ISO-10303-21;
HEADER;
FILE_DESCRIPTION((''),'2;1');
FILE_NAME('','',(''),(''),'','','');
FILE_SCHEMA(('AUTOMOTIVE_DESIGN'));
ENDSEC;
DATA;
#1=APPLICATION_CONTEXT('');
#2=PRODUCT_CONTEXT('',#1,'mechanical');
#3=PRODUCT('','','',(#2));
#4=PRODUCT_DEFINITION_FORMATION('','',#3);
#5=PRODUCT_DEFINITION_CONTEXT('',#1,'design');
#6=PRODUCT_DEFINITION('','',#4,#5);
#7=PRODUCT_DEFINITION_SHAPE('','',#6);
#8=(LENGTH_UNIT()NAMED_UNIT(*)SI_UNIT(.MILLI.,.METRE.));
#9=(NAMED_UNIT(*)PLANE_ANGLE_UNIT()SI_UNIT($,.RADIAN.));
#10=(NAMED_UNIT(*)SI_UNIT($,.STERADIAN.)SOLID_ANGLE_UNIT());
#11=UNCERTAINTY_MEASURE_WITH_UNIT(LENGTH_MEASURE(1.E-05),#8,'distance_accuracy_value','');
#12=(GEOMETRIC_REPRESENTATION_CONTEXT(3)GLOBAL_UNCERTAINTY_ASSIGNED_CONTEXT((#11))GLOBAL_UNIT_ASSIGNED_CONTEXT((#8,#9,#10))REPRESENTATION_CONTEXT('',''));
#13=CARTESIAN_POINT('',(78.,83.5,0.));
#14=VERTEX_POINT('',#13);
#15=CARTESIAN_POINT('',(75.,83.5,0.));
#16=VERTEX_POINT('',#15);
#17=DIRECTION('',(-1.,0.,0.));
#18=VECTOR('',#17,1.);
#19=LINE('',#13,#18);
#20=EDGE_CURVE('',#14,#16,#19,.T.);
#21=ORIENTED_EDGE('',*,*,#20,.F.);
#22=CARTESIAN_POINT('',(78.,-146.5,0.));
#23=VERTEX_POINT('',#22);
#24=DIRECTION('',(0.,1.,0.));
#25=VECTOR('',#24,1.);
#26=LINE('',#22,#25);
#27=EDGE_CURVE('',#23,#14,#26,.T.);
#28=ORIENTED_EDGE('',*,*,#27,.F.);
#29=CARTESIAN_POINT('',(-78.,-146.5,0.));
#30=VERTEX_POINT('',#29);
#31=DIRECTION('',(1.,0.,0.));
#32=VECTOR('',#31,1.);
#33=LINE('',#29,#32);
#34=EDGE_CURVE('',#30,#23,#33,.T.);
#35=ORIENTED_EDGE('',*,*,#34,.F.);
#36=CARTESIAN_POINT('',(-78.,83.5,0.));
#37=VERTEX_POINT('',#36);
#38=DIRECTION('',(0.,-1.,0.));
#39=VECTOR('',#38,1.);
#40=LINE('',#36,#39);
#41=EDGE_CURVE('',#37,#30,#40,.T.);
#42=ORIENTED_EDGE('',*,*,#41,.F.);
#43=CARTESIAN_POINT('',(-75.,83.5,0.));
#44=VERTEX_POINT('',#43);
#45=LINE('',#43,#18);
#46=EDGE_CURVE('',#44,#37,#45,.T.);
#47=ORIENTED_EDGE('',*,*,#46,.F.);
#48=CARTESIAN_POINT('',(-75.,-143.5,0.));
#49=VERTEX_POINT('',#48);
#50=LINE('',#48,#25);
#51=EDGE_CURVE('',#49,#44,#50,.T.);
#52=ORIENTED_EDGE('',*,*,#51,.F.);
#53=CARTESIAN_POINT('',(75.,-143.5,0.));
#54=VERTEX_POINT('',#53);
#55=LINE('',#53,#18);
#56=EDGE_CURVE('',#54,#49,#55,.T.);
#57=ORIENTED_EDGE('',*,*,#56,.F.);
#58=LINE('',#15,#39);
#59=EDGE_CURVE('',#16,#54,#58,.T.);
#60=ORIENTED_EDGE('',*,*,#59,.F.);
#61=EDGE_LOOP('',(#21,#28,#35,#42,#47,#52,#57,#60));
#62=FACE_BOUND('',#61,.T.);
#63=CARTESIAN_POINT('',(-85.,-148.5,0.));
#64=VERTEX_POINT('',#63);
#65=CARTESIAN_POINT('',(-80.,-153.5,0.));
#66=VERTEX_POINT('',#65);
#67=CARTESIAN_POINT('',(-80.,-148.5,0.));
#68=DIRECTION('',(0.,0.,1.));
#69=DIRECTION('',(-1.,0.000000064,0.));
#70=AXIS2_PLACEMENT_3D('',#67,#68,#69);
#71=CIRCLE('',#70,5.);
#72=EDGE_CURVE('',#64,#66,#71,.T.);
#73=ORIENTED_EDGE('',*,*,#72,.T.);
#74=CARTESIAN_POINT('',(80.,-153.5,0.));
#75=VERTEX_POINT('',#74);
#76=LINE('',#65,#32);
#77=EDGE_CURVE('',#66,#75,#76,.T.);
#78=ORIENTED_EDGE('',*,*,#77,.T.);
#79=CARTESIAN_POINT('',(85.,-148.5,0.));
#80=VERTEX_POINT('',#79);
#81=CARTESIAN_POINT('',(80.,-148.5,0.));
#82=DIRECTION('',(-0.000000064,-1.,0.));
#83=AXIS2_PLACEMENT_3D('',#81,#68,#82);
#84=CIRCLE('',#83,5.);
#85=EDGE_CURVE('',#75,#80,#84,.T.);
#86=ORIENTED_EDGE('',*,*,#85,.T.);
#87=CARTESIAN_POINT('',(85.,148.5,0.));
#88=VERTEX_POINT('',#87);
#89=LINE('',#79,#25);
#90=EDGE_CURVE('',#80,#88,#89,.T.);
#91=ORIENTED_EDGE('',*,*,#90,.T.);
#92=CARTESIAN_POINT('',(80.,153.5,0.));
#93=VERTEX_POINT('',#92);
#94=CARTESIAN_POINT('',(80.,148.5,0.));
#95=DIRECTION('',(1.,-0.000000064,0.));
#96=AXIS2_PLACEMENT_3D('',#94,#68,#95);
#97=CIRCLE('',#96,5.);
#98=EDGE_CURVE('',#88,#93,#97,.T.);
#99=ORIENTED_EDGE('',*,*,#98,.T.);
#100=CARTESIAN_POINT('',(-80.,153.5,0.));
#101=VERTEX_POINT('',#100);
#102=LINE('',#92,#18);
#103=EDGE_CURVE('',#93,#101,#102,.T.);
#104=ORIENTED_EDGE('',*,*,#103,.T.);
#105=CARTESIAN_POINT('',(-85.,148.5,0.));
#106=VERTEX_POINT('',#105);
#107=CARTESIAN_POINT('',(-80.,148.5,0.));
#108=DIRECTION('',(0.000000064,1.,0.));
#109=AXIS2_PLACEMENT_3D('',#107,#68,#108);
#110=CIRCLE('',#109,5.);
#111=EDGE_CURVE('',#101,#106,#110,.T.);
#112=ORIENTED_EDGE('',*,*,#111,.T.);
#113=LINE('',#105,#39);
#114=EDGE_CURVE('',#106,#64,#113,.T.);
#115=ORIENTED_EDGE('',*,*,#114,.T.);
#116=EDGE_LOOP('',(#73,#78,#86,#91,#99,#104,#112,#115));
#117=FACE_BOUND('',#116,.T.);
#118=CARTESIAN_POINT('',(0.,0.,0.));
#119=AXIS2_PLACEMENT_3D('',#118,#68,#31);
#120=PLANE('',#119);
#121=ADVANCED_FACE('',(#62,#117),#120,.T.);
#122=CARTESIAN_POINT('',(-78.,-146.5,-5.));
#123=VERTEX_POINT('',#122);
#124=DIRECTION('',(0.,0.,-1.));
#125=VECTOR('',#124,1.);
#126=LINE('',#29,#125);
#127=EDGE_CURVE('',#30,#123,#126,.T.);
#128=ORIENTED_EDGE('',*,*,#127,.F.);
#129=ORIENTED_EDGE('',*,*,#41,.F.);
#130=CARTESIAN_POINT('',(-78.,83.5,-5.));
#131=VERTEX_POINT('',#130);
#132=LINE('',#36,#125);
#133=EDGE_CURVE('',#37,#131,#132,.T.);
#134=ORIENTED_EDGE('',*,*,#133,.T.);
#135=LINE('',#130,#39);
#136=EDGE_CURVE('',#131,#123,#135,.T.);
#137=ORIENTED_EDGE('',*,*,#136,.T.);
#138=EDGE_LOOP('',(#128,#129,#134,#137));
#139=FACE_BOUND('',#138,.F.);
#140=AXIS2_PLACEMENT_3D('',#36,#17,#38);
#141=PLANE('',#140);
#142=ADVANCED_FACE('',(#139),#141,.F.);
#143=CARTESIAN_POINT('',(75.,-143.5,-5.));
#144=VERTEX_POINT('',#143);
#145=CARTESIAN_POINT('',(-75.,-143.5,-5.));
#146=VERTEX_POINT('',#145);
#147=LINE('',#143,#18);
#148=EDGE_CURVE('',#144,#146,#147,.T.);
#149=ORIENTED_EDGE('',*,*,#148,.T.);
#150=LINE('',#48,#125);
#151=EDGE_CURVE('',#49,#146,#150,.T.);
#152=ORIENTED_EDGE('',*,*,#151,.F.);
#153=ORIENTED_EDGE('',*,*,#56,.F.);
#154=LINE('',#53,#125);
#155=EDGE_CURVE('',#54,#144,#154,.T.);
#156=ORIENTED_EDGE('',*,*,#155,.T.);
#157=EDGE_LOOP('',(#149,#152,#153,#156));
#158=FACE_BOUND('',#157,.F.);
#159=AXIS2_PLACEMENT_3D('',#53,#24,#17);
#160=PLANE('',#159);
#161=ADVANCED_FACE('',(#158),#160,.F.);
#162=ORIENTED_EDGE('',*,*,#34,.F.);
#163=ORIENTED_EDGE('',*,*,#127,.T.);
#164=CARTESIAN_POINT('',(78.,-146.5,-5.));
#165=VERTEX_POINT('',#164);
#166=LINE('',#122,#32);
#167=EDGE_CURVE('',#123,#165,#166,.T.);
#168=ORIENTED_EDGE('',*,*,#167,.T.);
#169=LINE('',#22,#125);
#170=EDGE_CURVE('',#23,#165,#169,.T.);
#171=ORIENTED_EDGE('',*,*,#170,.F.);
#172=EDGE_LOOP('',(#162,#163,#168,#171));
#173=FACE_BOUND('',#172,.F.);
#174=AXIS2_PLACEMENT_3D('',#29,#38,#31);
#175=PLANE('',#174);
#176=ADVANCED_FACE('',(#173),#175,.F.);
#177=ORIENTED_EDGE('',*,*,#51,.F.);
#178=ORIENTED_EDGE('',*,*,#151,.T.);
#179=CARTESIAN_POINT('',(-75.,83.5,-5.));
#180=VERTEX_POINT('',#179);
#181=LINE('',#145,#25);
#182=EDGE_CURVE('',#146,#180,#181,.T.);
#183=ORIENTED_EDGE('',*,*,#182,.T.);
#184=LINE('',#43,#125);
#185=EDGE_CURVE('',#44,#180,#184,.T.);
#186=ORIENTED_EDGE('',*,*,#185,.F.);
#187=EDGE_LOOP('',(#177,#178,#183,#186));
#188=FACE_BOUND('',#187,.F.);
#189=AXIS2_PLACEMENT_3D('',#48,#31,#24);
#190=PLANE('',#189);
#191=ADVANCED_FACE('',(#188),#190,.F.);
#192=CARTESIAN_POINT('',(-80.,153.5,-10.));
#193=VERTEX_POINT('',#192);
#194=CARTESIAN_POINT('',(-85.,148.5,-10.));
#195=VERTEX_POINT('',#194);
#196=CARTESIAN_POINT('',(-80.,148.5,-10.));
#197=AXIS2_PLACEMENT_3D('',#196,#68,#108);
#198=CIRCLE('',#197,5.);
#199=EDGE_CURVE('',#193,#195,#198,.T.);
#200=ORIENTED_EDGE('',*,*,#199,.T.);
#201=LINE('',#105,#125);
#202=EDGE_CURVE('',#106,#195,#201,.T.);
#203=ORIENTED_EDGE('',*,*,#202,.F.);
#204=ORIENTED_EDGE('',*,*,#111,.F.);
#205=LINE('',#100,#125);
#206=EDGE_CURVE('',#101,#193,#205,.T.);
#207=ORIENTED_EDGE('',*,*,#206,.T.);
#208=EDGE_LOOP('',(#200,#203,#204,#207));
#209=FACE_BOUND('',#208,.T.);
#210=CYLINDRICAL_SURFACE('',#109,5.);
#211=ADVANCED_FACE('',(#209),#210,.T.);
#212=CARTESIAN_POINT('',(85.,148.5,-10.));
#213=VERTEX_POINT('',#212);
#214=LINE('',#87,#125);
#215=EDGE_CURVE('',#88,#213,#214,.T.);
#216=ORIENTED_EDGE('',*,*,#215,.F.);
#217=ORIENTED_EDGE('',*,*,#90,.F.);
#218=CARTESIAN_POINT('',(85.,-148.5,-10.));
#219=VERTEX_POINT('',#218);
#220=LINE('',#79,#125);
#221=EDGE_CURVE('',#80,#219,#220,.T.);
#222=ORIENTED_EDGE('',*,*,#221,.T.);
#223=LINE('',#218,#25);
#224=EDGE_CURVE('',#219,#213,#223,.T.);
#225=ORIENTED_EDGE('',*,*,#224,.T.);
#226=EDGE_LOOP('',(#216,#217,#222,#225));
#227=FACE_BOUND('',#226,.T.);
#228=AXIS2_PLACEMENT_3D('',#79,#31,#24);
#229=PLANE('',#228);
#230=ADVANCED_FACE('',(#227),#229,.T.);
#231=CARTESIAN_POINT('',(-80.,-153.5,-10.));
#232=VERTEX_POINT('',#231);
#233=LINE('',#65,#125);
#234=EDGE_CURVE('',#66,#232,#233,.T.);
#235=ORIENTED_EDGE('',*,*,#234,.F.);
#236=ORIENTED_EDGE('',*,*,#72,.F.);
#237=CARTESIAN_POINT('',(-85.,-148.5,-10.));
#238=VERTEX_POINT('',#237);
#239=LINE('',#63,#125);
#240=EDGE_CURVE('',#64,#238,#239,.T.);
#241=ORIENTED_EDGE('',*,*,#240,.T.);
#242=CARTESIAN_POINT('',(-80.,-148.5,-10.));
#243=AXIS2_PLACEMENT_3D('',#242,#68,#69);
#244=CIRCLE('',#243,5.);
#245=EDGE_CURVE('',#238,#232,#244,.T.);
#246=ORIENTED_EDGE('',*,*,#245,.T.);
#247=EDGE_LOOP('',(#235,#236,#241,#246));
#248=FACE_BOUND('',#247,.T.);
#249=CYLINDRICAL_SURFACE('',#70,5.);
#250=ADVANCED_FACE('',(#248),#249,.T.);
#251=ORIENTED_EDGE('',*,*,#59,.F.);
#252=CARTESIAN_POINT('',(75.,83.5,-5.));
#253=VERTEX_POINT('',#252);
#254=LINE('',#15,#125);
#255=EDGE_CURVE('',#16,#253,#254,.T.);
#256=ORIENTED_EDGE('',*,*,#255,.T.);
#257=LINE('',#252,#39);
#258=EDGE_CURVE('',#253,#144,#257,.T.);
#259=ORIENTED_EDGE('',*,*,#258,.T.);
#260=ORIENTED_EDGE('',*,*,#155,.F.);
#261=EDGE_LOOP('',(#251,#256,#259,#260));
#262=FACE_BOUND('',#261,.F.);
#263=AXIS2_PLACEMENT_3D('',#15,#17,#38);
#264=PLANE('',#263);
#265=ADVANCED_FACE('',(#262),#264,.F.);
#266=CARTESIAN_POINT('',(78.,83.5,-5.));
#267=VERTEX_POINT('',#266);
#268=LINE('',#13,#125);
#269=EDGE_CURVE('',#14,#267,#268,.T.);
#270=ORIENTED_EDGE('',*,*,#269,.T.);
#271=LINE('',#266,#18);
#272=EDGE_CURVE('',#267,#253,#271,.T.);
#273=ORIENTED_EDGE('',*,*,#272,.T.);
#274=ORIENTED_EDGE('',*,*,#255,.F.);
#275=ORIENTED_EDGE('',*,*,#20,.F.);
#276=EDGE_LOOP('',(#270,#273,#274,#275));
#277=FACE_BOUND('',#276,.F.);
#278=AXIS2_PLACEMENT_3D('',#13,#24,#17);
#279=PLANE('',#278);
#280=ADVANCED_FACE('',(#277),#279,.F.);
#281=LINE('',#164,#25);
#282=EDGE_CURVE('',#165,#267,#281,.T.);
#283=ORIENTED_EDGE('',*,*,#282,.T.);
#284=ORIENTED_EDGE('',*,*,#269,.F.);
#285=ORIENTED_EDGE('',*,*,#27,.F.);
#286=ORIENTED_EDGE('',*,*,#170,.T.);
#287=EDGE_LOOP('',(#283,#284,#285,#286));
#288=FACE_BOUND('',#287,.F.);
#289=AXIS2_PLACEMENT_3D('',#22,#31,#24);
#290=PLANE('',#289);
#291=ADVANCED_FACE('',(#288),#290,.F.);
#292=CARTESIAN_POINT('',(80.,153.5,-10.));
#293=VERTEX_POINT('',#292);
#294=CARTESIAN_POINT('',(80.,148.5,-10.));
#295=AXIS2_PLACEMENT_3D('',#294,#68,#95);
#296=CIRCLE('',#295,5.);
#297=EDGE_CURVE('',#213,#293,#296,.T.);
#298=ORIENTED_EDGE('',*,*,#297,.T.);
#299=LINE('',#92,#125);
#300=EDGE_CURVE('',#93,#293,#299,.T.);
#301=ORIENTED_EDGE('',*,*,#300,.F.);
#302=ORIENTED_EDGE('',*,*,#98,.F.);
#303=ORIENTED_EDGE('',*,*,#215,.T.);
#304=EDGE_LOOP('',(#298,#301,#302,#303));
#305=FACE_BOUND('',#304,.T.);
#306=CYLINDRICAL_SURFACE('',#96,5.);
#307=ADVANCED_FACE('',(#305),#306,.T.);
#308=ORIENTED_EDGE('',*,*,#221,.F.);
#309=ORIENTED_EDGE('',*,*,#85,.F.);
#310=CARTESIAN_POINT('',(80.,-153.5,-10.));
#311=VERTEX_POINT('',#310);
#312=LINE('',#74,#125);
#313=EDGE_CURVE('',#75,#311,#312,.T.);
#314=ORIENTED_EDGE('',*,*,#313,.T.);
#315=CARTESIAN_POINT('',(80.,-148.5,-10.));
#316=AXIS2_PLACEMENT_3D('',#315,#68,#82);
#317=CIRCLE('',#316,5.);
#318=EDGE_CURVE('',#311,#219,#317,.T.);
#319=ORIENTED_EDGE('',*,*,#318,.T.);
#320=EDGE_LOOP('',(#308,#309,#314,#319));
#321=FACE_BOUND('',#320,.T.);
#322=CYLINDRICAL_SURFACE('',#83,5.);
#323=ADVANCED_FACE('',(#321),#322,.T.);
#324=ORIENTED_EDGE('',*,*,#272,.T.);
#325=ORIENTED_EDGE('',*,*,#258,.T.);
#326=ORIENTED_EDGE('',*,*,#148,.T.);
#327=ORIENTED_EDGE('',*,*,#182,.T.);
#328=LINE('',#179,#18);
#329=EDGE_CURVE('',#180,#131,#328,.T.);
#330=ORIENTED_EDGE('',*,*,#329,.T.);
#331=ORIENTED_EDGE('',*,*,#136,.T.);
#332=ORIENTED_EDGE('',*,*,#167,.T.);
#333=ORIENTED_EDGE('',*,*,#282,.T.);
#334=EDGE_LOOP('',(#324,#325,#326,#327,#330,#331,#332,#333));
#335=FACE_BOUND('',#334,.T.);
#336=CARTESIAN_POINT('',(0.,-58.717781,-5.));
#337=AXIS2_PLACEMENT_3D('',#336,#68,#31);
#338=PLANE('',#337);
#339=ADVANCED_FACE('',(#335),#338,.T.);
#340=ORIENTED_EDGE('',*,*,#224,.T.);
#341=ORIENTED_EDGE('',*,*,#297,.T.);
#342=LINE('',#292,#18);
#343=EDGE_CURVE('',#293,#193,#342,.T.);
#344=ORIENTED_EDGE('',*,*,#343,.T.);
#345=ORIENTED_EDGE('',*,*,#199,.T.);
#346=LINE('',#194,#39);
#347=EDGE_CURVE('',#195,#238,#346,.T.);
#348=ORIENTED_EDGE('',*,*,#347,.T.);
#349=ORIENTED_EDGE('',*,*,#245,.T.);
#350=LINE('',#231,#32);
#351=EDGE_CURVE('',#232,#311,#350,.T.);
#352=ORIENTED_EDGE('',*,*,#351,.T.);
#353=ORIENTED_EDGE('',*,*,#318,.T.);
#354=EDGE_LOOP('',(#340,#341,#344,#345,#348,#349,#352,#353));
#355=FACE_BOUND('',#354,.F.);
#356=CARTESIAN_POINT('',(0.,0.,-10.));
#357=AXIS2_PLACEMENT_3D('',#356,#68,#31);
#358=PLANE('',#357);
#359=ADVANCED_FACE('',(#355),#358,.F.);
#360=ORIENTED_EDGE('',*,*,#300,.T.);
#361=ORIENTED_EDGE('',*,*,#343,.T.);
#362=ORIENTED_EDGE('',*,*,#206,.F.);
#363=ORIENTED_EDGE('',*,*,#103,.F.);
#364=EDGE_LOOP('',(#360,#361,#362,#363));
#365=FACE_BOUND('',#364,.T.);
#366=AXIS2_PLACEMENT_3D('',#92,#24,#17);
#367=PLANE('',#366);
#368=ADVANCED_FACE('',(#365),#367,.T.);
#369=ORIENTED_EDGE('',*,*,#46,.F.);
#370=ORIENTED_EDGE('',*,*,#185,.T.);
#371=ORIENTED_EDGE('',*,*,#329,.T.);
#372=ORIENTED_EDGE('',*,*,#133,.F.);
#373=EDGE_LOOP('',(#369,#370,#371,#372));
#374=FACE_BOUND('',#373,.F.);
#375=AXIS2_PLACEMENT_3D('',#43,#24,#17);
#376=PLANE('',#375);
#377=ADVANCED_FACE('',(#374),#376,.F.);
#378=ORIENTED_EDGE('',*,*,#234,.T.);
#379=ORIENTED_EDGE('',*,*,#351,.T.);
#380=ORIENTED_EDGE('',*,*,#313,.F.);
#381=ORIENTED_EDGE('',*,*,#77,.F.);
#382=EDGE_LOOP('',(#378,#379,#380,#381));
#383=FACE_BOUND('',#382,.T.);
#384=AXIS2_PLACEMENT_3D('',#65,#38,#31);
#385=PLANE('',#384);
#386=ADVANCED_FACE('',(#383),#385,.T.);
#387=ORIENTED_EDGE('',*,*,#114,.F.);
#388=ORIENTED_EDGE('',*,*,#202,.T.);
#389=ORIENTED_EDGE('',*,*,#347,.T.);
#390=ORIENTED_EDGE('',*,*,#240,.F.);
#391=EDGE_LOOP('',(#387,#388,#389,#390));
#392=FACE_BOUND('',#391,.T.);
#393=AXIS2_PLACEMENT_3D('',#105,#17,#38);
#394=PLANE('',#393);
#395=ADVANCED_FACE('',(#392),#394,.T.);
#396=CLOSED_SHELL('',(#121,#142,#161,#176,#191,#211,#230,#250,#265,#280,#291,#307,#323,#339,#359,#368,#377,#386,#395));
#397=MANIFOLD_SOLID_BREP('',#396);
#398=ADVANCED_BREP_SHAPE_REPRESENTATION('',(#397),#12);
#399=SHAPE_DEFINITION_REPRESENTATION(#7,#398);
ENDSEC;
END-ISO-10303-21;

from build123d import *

# Parameters (mm, degrees)
F1_DEPTH = 10
F2_DEPTH = 5


with BuildPart() as f1:
    # F0 (on Top) → F1 (new body)
    with BuildSketch(Plane.XY):
        with BuildLine():
            ThreePointArc((85, 148.5), (83.535534, 152.035534), (80, 153.5))
            Line((80, 153.5), (-80, 153.5))
            ThreePointArc((-80, 153.5), (-83.535534, 152.035534), (-85, 148.5))
            Line((-85, 148.5), (-85, -148.5))
            ThreePointArc((-85, -148.5), (-83.535534, -152.035534), (-80, -153.5))
            Line((-80, -153.5), (80, -153.5))
            ThreePointArc((80, -153.5), (83.535534, -152.035534), (85, -148.5))
            Line((85, -148.5), (85, 148.5))
        make_face()
        Polygon((-78, -146.5), (-78, 83.5), (-75, 83.5), (-75, -143.5), (75, -143.5), (75, 83.5), (78, 83.5), (78, -146.5), align=None, mode=Mode.SUBTRACT)
        Polygon((-75, 83.5), (-78, 83.5), (-78, -146.5), (78, -146.5), (78, 83.5), (75, 83.5), (75, -143.5), (-75, -143.5), align=None)
    extrude(amount=-F1_DEPTH)

    # F0 (on Top) → F2 (cut)
    with BuildSketch(Plane.XY):
        Polygon((-75, 83.5), (-78, 83.5), (-78, -146.5), (78, -146.5), (78, 83.5), (75, 83.5), (75, -143.5), (-75, -143.5), align=None)
    extrude(amount=-F2_DEPTH, mode=Mode.SUBTRACT)


solid = f1.part
